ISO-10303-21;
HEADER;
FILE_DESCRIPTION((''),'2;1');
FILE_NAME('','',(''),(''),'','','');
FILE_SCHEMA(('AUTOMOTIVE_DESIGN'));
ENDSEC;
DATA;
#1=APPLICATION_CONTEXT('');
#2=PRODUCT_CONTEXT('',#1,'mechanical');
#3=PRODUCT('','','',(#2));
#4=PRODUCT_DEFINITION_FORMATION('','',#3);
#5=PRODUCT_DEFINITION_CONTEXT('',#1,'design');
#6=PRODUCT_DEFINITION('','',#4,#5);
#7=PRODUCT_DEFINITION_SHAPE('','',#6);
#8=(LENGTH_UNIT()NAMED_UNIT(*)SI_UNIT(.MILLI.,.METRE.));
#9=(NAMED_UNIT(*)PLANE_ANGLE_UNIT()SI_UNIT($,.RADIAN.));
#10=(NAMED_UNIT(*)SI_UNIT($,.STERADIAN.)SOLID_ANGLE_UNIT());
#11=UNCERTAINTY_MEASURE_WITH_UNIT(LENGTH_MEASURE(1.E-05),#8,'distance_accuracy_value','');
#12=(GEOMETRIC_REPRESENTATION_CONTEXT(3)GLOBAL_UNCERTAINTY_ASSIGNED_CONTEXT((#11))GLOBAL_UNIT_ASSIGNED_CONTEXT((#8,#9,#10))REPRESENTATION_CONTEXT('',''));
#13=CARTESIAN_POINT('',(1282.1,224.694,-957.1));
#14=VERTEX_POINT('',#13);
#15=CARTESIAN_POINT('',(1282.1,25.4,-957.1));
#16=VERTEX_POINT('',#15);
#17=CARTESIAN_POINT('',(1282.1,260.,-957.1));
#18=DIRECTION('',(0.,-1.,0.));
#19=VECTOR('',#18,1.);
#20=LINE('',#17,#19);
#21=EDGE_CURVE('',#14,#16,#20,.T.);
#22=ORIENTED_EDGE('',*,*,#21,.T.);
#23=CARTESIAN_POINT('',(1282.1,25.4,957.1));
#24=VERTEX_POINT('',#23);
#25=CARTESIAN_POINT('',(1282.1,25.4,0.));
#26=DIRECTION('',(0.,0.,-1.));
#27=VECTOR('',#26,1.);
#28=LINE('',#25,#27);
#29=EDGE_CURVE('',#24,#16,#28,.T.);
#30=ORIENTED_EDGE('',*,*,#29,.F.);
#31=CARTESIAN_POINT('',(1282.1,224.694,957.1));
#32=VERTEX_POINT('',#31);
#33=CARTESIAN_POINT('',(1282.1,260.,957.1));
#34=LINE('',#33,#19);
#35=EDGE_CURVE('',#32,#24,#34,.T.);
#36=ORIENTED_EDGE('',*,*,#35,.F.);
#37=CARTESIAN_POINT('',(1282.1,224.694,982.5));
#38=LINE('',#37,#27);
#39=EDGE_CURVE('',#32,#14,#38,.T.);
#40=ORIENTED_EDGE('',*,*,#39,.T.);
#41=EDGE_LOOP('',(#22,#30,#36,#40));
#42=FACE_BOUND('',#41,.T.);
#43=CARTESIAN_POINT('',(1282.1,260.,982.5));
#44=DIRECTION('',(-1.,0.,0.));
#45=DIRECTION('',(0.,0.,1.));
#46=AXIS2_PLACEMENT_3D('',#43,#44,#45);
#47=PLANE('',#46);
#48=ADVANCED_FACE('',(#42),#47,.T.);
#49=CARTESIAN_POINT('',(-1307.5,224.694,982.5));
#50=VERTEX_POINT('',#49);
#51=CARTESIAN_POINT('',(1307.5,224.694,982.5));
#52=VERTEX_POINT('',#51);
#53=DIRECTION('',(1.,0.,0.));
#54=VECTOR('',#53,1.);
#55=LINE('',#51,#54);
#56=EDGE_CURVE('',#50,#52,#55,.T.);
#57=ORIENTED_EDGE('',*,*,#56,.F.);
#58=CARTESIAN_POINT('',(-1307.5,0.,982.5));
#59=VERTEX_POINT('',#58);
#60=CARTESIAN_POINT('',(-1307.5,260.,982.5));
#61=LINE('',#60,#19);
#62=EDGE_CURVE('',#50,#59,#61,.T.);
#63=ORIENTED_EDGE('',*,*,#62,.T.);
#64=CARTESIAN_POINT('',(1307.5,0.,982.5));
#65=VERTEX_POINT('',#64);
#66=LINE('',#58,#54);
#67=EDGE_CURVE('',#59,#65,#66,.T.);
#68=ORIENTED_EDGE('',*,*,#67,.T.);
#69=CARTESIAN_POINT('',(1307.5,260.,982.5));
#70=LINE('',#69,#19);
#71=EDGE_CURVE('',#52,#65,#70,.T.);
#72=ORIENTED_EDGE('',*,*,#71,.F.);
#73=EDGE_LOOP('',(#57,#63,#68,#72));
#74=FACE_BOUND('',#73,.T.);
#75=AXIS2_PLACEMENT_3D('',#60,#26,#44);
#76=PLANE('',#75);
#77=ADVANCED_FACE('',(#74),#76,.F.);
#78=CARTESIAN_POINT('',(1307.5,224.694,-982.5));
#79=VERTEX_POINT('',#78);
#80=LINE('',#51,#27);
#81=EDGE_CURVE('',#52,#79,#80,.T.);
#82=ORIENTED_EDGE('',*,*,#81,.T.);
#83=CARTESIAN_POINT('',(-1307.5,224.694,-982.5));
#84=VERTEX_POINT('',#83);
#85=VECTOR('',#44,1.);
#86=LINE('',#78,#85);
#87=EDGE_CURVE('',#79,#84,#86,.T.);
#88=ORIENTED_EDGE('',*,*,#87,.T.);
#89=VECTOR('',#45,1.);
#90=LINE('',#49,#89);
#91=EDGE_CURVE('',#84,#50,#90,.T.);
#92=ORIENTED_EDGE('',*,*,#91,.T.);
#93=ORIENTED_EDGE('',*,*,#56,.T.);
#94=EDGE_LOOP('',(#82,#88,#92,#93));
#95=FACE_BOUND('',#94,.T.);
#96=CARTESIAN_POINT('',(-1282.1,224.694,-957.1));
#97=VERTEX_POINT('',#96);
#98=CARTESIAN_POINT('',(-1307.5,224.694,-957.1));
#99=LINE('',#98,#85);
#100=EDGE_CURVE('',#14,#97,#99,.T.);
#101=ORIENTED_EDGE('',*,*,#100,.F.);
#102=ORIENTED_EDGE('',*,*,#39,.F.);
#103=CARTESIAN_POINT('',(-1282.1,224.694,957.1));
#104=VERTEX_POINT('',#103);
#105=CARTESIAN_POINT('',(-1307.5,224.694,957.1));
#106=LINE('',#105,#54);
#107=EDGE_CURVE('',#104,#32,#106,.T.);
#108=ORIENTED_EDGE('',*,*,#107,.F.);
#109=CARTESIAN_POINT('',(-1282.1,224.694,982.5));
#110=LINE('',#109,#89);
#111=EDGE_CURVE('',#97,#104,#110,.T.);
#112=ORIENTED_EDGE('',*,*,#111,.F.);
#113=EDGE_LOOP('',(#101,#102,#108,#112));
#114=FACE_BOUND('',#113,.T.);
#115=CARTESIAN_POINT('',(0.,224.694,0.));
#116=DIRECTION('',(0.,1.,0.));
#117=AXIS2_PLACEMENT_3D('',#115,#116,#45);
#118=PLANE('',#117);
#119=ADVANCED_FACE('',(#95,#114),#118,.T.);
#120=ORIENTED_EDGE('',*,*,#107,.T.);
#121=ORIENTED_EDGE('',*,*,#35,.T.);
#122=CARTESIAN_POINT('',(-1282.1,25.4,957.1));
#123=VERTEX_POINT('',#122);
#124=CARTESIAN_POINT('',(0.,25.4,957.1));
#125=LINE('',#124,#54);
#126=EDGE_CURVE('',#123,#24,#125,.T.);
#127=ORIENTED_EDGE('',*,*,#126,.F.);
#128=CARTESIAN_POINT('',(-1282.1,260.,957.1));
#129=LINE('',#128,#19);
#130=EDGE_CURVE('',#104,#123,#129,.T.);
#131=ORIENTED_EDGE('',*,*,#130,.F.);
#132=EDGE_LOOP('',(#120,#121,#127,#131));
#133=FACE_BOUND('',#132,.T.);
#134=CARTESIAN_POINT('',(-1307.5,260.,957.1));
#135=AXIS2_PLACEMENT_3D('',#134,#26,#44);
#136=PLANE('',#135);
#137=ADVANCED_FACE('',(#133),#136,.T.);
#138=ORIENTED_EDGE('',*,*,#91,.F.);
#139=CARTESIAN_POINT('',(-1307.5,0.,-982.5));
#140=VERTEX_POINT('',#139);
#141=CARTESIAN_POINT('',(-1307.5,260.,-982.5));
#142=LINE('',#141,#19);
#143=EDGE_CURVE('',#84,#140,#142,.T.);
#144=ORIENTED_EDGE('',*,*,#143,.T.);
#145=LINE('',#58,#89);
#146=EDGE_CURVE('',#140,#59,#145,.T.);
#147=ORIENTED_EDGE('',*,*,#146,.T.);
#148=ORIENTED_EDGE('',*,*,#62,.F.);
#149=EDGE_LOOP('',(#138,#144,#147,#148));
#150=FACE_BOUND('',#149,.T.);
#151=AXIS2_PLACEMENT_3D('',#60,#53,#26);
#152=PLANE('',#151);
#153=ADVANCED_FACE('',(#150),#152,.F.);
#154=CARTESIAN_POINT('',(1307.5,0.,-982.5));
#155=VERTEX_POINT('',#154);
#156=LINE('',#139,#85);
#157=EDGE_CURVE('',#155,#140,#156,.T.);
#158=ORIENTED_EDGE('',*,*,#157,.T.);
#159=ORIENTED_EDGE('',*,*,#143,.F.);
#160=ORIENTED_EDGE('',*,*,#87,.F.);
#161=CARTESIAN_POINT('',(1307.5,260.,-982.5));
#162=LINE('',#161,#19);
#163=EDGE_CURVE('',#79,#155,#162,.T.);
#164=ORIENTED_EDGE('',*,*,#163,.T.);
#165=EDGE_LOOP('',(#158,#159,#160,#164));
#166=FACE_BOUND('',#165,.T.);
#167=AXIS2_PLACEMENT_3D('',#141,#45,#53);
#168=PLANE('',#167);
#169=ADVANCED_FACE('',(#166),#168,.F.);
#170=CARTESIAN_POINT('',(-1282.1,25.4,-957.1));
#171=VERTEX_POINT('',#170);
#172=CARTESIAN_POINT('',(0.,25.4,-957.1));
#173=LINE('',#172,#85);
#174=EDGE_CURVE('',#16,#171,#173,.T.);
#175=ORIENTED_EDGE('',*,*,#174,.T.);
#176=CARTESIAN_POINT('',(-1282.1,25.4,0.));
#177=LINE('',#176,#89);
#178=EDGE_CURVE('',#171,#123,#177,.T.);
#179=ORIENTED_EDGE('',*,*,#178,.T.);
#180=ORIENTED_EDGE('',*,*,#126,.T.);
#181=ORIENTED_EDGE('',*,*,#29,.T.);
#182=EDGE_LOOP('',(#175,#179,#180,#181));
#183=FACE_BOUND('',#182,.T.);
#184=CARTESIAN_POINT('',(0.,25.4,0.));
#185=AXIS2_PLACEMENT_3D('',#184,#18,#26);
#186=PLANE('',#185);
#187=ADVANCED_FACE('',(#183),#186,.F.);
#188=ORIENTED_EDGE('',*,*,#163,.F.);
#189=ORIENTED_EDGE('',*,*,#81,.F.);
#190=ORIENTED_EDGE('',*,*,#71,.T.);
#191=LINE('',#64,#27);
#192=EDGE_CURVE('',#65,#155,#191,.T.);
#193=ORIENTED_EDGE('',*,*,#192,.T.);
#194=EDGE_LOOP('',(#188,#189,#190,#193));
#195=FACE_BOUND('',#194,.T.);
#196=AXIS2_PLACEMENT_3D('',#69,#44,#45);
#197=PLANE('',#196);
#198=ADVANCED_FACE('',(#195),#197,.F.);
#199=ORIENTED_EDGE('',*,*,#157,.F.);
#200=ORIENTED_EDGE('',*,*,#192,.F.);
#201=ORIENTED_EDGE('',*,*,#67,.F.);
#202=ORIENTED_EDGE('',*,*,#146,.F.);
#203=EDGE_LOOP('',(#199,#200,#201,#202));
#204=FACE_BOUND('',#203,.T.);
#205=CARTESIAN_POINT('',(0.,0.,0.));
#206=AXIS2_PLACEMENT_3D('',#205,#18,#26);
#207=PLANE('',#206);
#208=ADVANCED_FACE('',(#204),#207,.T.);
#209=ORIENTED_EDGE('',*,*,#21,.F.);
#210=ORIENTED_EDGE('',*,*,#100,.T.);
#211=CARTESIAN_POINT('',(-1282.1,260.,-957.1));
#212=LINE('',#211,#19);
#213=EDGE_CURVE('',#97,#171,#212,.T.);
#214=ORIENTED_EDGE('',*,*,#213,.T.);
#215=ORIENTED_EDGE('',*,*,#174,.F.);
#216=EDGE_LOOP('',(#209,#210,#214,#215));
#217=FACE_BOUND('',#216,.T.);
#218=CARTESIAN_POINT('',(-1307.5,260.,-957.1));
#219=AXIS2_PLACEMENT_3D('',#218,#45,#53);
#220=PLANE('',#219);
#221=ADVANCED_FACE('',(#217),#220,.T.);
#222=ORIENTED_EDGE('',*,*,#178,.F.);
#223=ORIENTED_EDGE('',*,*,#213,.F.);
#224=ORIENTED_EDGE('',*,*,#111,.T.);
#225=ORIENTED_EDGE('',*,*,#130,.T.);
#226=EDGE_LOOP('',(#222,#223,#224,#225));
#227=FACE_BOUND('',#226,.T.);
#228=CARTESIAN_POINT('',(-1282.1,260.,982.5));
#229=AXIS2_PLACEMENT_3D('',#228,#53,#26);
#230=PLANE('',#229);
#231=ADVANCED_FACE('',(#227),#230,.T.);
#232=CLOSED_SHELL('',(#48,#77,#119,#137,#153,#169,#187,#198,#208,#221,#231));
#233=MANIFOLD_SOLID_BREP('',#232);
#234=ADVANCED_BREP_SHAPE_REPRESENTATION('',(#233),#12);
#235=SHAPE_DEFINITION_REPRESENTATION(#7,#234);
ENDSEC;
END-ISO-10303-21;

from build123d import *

# Parameters (mm, degrees)
SKETCH1_W           = 2615
SKETCH1_H           = 1965
BOSS_EXTRUDE1_DEPTH = 260
SHELL1_T            = 25.4
SKETCH2_W           = 2615
SKETCH2_H           = 1965
CUT_EXTRUDE1_DEPTH  = 35.306


with BuildPart() as part:
    # Sketch1 → Boss-Extrude1 (new body)
    with BuildSketch(Plane(origin=(0, 0, 0), x_dir=(1, 0, 0), z_dir=(0, 1, 0))):
        Rectangle(SKETCH1_W, SKETCH1_H)
    extrude(amount=BOSS_EXTRUDE1_DEPTH)

    # Shell1 (no face opened: a closed hollow body)
    add(offset(amount=-SHELL1_T, mode=Mode.PRIVATE), mode=Mode.SUBTRACT)

    # Sketch2 → Cut-Extrude1 (cut)
    with BuildSketch(Plane(origin=(0, 260, 0), x_dir=(1, 0, 0), z_dir=(0, 1, 0))):
        Rectangle(SKETCH2_W, SKETCH2_H)
    extrude(amount=-CUT_EXTRUDE1_DEPTH, mode=Mode.SUBTRACT)


solid = part.part
